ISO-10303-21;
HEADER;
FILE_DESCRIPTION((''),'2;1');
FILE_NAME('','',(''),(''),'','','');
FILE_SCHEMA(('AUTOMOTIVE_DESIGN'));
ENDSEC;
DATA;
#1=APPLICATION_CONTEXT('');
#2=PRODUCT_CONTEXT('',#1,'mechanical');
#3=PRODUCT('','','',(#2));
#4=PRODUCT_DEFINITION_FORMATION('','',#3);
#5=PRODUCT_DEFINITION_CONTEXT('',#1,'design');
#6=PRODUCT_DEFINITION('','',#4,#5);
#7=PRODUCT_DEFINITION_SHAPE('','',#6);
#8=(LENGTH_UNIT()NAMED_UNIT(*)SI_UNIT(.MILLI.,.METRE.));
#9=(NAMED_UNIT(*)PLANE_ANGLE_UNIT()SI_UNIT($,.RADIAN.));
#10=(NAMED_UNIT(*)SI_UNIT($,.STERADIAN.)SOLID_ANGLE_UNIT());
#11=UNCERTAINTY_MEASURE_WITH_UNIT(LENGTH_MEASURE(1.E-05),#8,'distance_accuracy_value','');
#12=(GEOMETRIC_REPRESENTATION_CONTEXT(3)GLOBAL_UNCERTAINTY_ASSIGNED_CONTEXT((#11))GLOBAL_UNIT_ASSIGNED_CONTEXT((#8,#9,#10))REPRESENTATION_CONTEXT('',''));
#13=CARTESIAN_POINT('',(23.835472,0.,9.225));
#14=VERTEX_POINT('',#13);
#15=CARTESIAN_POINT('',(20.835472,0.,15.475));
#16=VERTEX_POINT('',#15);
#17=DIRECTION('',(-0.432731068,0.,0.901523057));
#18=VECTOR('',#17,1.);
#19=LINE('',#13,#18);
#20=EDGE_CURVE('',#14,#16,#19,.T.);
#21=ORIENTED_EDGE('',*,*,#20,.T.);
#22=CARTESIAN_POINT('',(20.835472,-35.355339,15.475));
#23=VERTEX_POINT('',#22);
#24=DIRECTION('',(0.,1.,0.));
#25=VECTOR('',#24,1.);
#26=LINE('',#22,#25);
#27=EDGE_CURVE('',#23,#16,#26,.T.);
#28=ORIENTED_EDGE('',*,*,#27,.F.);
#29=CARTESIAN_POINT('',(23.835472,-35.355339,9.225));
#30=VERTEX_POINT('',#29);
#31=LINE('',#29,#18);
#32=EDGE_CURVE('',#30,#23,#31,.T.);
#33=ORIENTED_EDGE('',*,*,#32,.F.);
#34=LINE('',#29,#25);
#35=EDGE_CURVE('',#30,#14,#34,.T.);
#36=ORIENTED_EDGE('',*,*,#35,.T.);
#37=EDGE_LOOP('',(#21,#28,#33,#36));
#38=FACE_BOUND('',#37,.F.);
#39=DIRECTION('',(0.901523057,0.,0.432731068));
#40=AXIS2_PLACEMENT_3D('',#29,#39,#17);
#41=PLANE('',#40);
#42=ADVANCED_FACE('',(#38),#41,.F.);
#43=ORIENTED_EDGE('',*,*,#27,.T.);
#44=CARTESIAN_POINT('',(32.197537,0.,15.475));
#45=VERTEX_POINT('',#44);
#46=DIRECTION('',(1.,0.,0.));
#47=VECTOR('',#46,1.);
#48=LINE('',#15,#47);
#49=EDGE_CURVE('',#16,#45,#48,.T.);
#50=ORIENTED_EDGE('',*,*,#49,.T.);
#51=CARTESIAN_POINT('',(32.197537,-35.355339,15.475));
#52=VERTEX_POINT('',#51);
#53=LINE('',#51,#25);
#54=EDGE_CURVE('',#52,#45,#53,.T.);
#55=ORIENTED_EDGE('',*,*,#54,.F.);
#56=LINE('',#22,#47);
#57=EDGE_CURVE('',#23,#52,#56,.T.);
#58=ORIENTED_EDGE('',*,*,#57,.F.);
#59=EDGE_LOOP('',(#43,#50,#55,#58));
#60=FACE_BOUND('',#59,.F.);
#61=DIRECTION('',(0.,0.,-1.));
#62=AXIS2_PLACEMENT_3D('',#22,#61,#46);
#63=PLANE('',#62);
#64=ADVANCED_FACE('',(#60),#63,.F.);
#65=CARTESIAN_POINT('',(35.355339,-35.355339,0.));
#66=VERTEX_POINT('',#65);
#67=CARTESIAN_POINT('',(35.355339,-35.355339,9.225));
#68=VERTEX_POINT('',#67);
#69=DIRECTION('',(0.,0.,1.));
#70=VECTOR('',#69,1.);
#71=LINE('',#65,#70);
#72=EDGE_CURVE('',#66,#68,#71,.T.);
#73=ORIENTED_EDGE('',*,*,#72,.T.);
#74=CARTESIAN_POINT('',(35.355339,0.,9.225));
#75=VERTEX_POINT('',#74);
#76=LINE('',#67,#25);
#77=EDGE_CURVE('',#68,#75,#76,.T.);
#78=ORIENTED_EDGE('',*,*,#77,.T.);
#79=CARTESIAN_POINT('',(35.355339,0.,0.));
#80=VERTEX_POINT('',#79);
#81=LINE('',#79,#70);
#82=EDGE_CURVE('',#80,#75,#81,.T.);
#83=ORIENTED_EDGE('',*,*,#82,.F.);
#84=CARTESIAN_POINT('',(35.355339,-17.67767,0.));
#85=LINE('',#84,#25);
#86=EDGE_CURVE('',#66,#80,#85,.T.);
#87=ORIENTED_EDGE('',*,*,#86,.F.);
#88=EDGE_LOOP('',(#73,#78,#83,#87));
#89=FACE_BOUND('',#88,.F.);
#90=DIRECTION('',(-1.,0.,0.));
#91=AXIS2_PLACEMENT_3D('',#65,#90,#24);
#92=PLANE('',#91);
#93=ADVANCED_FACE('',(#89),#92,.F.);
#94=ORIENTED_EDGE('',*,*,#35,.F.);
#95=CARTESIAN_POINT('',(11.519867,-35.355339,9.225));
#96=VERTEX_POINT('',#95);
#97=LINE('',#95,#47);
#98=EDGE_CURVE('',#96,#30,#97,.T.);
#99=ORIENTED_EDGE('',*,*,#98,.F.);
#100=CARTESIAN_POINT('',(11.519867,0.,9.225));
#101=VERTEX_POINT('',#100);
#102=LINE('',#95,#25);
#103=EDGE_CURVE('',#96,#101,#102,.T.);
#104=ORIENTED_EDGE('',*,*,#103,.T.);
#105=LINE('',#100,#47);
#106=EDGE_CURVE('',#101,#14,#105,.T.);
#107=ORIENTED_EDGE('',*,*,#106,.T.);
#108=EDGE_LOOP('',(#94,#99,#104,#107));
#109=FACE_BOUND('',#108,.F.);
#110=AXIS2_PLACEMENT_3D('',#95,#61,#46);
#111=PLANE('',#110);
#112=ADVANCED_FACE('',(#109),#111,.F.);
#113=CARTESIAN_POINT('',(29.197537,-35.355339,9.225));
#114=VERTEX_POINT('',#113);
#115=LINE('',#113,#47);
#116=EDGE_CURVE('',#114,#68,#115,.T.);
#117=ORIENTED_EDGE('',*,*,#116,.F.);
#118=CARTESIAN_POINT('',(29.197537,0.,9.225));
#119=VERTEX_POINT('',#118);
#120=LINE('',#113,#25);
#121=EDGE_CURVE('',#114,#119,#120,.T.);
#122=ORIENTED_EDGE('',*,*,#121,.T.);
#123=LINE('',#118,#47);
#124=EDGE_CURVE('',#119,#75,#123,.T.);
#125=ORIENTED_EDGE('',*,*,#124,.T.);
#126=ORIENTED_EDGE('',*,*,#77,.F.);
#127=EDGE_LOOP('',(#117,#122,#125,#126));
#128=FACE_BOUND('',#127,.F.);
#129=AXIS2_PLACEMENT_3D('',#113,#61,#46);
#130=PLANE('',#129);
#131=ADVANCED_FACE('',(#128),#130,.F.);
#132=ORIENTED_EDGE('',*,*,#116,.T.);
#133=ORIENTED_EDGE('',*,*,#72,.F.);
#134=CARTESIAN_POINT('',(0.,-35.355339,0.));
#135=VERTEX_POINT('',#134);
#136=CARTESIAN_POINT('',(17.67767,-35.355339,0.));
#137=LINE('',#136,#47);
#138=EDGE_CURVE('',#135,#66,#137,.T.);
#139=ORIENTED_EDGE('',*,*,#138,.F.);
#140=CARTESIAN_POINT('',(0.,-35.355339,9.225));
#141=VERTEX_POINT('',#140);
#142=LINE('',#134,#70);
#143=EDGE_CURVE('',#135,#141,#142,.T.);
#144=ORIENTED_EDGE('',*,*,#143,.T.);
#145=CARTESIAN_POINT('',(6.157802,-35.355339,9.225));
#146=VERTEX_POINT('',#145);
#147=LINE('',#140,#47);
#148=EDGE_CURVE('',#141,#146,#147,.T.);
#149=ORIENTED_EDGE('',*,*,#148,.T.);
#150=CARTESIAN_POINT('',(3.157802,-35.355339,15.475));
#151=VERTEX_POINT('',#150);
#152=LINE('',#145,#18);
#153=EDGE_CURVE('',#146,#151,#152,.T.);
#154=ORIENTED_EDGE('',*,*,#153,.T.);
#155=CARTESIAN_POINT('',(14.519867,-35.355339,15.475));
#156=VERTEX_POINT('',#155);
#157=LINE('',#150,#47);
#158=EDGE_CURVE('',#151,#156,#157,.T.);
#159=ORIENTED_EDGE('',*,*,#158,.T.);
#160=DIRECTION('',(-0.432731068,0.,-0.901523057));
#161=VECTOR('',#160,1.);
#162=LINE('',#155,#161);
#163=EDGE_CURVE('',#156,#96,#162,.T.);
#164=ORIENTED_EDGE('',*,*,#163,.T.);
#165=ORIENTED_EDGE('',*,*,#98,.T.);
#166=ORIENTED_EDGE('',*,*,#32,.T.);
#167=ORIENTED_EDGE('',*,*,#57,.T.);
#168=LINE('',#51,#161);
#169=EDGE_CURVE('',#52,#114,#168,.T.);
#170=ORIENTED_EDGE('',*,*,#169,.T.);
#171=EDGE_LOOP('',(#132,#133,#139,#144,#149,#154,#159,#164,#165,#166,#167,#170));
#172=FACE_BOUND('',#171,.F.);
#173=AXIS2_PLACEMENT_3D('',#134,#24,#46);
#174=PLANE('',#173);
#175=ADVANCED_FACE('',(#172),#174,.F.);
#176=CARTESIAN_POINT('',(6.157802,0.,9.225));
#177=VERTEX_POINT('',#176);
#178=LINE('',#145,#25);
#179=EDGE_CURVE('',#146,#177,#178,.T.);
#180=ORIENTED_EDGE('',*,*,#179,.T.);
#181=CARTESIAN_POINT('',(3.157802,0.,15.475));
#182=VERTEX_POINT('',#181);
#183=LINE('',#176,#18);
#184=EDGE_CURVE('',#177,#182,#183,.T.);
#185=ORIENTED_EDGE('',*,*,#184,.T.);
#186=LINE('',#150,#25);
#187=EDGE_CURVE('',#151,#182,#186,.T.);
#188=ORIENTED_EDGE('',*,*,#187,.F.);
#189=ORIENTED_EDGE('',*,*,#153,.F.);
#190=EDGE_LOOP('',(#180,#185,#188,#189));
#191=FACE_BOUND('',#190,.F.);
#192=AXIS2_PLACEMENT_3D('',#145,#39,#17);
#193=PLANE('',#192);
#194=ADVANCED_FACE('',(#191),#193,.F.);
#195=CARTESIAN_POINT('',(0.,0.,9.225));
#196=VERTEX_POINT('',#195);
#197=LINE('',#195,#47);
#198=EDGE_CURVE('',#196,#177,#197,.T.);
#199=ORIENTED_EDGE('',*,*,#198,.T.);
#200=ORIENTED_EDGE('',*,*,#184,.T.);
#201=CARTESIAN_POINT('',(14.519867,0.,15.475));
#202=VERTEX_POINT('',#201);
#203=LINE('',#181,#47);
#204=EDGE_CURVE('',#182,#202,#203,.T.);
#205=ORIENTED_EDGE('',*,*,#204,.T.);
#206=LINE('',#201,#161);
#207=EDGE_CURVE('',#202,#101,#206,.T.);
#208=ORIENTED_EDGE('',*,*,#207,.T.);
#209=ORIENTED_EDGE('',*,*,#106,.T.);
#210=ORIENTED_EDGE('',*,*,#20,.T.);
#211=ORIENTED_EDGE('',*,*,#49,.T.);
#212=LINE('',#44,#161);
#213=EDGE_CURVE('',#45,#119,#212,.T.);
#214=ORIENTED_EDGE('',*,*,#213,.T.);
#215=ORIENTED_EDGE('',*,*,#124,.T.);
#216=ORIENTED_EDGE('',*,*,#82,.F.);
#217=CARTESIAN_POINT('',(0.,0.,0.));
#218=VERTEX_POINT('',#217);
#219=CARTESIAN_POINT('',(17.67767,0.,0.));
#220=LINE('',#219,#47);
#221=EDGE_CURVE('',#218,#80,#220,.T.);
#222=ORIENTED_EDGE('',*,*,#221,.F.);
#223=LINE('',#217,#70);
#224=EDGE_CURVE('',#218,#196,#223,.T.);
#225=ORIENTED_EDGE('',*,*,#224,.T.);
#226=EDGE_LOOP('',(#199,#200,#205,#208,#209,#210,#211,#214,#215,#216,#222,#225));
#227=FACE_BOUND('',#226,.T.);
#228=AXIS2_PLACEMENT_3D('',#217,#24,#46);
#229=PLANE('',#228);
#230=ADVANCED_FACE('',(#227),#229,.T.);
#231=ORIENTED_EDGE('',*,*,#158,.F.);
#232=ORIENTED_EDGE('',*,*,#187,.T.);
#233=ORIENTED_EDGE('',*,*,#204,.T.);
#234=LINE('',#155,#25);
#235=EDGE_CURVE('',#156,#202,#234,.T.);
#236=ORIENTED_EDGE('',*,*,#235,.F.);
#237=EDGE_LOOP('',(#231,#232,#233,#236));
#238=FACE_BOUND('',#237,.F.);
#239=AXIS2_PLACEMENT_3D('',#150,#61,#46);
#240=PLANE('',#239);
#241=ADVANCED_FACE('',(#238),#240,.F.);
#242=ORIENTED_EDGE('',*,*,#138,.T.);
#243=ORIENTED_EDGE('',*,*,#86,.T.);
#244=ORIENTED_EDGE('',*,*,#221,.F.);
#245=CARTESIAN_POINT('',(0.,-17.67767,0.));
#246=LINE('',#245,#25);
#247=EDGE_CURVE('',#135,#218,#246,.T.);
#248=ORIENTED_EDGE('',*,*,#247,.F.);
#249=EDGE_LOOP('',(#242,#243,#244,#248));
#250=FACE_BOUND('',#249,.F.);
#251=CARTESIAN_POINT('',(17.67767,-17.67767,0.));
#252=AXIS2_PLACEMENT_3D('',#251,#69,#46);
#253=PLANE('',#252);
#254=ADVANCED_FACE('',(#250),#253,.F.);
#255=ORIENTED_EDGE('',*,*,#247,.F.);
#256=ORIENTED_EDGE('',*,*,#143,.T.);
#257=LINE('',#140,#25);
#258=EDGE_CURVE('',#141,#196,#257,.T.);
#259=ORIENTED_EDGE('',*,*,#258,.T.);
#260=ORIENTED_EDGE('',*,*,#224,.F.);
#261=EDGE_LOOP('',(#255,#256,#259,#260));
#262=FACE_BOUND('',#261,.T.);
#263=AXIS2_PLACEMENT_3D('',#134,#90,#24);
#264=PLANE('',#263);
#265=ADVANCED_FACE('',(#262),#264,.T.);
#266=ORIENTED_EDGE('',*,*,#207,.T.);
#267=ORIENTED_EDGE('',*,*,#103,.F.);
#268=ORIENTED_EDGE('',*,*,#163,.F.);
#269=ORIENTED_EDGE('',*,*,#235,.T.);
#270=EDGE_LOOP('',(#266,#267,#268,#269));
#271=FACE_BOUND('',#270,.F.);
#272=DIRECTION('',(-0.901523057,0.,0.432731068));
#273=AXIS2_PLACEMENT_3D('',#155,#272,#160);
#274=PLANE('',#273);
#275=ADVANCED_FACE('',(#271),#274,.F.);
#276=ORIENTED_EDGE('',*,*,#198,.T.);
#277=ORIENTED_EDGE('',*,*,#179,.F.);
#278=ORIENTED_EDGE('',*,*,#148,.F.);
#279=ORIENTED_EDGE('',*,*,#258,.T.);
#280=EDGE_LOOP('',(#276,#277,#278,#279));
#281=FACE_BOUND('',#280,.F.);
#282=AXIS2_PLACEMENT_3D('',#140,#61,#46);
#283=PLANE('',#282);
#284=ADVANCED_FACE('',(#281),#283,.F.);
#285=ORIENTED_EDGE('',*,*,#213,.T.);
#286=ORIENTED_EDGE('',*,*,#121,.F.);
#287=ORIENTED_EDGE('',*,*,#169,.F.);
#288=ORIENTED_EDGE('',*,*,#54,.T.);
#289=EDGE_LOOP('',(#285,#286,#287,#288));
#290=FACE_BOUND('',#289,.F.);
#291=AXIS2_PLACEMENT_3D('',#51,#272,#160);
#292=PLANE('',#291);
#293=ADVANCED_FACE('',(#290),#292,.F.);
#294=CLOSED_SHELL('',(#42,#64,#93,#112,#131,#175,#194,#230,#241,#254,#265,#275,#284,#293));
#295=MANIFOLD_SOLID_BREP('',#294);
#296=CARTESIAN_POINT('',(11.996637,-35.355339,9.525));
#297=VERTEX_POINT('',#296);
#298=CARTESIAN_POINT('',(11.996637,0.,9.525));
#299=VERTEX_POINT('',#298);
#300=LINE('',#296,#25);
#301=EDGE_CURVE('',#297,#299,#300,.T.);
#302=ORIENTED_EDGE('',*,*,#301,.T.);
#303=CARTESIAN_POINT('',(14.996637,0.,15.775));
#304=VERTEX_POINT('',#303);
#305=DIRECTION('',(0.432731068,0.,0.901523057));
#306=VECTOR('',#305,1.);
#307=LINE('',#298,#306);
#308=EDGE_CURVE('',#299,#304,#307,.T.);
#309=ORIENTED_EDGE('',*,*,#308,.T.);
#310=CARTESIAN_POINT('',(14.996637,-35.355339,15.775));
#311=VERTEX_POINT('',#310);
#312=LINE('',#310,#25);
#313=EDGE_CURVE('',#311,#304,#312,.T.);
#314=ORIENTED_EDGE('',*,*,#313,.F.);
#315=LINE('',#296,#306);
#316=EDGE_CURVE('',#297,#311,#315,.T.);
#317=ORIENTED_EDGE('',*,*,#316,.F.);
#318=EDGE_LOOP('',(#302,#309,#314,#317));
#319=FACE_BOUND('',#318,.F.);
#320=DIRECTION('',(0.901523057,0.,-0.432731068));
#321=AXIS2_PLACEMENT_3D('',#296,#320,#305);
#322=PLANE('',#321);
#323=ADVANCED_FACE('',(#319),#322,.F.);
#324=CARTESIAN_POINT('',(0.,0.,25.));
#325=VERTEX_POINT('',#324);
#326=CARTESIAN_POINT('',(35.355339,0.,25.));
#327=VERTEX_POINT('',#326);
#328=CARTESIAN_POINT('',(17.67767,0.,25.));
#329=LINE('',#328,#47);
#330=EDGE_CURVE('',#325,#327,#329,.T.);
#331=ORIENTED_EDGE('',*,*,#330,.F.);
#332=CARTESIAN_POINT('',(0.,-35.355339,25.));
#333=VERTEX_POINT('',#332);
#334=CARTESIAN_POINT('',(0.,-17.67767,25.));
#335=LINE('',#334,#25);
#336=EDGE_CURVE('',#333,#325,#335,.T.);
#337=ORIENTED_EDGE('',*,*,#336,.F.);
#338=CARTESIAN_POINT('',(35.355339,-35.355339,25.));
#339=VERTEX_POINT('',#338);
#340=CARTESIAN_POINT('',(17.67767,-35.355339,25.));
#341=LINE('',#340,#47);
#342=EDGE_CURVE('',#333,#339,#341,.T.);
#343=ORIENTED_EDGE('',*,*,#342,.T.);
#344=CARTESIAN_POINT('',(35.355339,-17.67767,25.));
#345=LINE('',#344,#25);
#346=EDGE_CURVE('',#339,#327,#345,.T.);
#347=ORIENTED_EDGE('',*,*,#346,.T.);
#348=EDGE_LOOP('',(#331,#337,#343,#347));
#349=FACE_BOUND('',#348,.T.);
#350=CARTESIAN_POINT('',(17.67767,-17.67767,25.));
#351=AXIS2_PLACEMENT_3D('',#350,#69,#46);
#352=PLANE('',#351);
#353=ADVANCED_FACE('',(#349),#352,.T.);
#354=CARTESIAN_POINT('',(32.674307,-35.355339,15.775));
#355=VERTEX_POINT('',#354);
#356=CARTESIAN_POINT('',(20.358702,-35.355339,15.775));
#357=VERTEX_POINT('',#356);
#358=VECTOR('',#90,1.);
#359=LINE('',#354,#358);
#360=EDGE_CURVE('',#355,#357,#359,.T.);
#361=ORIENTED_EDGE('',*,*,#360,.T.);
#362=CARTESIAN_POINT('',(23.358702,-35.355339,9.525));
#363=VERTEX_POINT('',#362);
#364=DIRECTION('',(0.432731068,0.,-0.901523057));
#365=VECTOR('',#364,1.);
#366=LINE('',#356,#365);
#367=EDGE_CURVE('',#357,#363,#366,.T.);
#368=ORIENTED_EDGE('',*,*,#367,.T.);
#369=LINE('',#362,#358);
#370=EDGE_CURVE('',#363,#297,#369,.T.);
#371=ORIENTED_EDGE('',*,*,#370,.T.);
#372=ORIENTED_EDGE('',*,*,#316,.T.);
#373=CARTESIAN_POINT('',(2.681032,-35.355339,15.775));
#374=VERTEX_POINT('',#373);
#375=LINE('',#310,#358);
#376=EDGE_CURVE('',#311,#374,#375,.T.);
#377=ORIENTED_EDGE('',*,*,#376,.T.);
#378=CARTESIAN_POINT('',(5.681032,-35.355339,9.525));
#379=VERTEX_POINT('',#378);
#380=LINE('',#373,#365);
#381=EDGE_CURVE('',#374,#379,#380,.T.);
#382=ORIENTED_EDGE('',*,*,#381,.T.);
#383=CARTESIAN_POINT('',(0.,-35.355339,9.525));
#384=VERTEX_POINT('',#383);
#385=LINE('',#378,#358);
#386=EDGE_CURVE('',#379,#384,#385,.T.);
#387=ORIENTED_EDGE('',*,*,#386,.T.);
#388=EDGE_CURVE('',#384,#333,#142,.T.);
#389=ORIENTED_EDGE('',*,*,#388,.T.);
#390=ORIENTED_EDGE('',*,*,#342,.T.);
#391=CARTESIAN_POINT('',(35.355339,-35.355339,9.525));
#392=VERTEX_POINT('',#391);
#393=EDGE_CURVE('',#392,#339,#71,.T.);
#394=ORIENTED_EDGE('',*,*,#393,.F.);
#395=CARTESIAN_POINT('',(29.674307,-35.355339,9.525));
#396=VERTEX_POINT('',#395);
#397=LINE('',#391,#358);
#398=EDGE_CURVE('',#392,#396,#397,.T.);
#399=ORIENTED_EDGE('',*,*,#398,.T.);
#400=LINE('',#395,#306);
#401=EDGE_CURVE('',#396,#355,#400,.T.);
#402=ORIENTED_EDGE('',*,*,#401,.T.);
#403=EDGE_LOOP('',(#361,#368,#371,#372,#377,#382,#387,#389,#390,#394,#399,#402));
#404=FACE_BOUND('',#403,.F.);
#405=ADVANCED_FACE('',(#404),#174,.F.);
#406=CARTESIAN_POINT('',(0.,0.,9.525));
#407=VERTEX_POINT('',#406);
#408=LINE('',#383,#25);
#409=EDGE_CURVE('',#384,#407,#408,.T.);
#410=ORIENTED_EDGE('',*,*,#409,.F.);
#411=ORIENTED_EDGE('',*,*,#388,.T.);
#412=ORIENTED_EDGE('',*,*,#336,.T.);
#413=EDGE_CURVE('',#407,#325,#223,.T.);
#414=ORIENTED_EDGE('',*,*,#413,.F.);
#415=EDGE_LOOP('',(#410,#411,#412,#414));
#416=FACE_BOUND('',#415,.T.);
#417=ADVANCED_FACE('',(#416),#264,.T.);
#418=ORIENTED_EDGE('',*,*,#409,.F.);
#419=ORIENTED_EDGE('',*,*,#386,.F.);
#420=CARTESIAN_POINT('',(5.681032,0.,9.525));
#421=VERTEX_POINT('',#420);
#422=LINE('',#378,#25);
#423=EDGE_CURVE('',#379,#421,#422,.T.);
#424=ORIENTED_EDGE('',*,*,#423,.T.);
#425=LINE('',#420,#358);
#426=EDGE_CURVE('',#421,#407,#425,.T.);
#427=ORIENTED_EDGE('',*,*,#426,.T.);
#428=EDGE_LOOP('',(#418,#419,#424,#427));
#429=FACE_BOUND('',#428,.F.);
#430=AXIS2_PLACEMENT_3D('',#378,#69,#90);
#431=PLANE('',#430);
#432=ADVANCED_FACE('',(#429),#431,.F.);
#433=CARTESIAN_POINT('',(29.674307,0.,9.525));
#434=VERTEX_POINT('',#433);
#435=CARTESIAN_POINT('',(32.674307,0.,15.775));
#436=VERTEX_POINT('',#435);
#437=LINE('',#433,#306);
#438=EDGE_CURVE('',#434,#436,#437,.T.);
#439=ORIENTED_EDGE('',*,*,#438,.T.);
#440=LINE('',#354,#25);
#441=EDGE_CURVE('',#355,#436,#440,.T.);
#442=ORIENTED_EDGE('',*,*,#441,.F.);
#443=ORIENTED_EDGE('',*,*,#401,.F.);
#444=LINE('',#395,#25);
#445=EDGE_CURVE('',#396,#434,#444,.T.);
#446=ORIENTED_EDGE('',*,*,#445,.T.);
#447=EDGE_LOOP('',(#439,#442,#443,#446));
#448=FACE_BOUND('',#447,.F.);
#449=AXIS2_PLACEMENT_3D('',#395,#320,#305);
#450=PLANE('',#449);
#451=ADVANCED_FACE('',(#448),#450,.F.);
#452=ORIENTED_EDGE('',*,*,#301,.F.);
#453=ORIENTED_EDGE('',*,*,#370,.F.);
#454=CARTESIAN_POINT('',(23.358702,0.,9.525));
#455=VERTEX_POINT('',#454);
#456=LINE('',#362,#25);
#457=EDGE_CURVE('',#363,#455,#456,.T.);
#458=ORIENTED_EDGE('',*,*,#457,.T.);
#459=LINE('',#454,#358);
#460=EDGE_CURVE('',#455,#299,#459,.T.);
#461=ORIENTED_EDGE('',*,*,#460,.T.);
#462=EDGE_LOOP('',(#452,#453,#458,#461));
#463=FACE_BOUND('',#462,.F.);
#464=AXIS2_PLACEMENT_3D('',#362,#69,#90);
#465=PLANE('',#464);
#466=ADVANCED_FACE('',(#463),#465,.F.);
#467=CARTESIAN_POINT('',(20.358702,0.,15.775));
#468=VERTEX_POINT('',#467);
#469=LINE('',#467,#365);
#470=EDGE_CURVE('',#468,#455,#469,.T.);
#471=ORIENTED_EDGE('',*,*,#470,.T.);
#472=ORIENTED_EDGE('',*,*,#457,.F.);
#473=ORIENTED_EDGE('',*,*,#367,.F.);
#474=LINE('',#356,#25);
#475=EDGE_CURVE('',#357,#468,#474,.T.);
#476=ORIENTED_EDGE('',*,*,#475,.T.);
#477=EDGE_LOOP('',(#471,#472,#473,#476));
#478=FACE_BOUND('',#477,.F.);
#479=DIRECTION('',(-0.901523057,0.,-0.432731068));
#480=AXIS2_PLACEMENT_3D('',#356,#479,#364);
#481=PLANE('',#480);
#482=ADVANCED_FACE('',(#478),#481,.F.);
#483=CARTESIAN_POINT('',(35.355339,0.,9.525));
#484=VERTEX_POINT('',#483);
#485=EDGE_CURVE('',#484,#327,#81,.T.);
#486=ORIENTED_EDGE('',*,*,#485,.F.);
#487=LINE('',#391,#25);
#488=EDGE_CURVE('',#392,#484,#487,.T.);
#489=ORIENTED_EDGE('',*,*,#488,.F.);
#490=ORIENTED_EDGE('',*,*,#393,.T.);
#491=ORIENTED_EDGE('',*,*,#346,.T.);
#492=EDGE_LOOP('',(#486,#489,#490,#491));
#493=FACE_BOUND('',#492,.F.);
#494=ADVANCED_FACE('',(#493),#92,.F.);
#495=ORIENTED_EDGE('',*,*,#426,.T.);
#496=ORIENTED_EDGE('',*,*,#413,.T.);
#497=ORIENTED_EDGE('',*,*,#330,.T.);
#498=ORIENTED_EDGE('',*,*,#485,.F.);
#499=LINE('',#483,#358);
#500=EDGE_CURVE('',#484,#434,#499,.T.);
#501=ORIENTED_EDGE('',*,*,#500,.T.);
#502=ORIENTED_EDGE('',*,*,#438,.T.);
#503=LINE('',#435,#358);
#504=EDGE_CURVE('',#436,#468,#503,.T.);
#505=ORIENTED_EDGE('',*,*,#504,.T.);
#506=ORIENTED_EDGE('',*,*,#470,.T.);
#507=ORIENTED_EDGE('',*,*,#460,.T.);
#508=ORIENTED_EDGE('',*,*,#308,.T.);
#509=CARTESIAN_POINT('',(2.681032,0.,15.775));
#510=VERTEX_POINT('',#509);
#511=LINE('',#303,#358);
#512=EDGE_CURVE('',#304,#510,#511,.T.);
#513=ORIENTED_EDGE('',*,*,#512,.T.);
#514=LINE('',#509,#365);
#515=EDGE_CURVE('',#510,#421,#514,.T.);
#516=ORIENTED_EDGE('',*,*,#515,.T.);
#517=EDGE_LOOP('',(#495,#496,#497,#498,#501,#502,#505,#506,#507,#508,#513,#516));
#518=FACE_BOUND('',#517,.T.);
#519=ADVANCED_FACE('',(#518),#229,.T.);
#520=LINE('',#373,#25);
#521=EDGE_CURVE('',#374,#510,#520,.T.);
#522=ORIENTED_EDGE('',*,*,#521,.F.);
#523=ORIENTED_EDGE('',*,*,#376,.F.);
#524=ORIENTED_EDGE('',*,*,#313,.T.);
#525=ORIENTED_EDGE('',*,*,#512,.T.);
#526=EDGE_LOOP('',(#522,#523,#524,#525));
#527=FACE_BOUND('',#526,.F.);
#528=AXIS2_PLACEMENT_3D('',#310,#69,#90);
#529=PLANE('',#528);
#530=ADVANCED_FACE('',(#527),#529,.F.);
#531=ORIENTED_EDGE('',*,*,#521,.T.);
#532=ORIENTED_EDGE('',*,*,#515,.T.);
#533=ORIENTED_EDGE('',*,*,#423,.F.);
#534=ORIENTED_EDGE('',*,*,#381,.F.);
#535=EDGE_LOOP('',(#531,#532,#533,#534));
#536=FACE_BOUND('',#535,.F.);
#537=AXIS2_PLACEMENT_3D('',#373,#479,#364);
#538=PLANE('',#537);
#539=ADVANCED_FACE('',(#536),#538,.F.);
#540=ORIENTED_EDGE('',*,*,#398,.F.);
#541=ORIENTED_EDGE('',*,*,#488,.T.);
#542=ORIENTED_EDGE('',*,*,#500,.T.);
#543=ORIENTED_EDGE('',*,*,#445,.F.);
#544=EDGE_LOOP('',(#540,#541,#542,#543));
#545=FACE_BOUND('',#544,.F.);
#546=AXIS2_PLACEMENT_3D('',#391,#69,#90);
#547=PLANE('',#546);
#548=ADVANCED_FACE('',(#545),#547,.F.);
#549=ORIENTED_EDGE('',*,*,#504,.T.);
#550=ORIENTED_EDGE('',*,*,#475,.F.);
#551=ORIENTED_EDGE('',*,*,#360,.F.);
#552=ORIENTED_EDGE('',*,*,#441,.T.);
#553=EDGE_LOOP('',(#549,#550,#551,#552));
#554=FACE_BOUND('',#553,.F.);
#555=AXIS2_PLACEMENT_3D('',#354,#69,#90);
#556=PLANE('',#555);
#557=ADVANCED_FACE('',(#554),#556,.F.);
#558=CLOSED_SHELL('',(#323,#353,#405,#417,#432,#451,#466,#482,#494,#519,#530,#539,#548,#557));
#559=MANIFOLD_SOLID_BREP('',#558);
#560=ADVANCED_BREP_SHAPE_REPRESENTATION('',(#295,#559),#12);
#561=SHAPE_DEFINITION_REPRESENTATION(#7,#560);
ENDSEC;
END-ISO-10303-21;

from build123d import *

# Parameters (mm, degrees)
F0_W     = 35.3553390593
F0_H     = 35.3553390593
F1_DEPTH = 25
F3_DEPTH = 35.3553390593


with BuildPart() as f1:
    # F0 (on Top) → F1 (new body)
    with BuildSketch(Plane.XY):
        with Locations((17.6776695297, -17.6776695297)):
            Rectangle(F0_W, F0_H)
    extrude(amount=F1_DEPTH)

    # F2 (on face) → F3 (cut, through all)
    with BuildSketch(Plane.XZ.offset(35.3553390593)):
        Polygon((35.3553390593, 9.225), (35.3553390593, 9.375), (35.3553390593, 9.525), (29.6743067724, 9.525), (32.6743067724, 15.775), (20.3587018166, 15.775), (23.3587018166, 9.525), (11.9966372427, 9.525), (14.9966372427, 15.775), (2.6810322869, 15.775), (5.6810322869, 9.525), (0, 9.525), (0, 9.225), (6.1578024779, 9.225), (3.1578024779, 15.475), (8.8388347648, 15.475), (14.5198670518, 15.475), (11.5198670518, 9.225), (17.6776695297, 9.225), (23.8354720076, 9.225), (20.8354720076, 15.475), (26.5165042945, 15.475), (32.1975365814, 15.475), (29.1975365814, 9.225), align=None)
    extrude(amount=-F3_DEPTH, mode=Mode.SUBTRACT)


solid = f1.part
